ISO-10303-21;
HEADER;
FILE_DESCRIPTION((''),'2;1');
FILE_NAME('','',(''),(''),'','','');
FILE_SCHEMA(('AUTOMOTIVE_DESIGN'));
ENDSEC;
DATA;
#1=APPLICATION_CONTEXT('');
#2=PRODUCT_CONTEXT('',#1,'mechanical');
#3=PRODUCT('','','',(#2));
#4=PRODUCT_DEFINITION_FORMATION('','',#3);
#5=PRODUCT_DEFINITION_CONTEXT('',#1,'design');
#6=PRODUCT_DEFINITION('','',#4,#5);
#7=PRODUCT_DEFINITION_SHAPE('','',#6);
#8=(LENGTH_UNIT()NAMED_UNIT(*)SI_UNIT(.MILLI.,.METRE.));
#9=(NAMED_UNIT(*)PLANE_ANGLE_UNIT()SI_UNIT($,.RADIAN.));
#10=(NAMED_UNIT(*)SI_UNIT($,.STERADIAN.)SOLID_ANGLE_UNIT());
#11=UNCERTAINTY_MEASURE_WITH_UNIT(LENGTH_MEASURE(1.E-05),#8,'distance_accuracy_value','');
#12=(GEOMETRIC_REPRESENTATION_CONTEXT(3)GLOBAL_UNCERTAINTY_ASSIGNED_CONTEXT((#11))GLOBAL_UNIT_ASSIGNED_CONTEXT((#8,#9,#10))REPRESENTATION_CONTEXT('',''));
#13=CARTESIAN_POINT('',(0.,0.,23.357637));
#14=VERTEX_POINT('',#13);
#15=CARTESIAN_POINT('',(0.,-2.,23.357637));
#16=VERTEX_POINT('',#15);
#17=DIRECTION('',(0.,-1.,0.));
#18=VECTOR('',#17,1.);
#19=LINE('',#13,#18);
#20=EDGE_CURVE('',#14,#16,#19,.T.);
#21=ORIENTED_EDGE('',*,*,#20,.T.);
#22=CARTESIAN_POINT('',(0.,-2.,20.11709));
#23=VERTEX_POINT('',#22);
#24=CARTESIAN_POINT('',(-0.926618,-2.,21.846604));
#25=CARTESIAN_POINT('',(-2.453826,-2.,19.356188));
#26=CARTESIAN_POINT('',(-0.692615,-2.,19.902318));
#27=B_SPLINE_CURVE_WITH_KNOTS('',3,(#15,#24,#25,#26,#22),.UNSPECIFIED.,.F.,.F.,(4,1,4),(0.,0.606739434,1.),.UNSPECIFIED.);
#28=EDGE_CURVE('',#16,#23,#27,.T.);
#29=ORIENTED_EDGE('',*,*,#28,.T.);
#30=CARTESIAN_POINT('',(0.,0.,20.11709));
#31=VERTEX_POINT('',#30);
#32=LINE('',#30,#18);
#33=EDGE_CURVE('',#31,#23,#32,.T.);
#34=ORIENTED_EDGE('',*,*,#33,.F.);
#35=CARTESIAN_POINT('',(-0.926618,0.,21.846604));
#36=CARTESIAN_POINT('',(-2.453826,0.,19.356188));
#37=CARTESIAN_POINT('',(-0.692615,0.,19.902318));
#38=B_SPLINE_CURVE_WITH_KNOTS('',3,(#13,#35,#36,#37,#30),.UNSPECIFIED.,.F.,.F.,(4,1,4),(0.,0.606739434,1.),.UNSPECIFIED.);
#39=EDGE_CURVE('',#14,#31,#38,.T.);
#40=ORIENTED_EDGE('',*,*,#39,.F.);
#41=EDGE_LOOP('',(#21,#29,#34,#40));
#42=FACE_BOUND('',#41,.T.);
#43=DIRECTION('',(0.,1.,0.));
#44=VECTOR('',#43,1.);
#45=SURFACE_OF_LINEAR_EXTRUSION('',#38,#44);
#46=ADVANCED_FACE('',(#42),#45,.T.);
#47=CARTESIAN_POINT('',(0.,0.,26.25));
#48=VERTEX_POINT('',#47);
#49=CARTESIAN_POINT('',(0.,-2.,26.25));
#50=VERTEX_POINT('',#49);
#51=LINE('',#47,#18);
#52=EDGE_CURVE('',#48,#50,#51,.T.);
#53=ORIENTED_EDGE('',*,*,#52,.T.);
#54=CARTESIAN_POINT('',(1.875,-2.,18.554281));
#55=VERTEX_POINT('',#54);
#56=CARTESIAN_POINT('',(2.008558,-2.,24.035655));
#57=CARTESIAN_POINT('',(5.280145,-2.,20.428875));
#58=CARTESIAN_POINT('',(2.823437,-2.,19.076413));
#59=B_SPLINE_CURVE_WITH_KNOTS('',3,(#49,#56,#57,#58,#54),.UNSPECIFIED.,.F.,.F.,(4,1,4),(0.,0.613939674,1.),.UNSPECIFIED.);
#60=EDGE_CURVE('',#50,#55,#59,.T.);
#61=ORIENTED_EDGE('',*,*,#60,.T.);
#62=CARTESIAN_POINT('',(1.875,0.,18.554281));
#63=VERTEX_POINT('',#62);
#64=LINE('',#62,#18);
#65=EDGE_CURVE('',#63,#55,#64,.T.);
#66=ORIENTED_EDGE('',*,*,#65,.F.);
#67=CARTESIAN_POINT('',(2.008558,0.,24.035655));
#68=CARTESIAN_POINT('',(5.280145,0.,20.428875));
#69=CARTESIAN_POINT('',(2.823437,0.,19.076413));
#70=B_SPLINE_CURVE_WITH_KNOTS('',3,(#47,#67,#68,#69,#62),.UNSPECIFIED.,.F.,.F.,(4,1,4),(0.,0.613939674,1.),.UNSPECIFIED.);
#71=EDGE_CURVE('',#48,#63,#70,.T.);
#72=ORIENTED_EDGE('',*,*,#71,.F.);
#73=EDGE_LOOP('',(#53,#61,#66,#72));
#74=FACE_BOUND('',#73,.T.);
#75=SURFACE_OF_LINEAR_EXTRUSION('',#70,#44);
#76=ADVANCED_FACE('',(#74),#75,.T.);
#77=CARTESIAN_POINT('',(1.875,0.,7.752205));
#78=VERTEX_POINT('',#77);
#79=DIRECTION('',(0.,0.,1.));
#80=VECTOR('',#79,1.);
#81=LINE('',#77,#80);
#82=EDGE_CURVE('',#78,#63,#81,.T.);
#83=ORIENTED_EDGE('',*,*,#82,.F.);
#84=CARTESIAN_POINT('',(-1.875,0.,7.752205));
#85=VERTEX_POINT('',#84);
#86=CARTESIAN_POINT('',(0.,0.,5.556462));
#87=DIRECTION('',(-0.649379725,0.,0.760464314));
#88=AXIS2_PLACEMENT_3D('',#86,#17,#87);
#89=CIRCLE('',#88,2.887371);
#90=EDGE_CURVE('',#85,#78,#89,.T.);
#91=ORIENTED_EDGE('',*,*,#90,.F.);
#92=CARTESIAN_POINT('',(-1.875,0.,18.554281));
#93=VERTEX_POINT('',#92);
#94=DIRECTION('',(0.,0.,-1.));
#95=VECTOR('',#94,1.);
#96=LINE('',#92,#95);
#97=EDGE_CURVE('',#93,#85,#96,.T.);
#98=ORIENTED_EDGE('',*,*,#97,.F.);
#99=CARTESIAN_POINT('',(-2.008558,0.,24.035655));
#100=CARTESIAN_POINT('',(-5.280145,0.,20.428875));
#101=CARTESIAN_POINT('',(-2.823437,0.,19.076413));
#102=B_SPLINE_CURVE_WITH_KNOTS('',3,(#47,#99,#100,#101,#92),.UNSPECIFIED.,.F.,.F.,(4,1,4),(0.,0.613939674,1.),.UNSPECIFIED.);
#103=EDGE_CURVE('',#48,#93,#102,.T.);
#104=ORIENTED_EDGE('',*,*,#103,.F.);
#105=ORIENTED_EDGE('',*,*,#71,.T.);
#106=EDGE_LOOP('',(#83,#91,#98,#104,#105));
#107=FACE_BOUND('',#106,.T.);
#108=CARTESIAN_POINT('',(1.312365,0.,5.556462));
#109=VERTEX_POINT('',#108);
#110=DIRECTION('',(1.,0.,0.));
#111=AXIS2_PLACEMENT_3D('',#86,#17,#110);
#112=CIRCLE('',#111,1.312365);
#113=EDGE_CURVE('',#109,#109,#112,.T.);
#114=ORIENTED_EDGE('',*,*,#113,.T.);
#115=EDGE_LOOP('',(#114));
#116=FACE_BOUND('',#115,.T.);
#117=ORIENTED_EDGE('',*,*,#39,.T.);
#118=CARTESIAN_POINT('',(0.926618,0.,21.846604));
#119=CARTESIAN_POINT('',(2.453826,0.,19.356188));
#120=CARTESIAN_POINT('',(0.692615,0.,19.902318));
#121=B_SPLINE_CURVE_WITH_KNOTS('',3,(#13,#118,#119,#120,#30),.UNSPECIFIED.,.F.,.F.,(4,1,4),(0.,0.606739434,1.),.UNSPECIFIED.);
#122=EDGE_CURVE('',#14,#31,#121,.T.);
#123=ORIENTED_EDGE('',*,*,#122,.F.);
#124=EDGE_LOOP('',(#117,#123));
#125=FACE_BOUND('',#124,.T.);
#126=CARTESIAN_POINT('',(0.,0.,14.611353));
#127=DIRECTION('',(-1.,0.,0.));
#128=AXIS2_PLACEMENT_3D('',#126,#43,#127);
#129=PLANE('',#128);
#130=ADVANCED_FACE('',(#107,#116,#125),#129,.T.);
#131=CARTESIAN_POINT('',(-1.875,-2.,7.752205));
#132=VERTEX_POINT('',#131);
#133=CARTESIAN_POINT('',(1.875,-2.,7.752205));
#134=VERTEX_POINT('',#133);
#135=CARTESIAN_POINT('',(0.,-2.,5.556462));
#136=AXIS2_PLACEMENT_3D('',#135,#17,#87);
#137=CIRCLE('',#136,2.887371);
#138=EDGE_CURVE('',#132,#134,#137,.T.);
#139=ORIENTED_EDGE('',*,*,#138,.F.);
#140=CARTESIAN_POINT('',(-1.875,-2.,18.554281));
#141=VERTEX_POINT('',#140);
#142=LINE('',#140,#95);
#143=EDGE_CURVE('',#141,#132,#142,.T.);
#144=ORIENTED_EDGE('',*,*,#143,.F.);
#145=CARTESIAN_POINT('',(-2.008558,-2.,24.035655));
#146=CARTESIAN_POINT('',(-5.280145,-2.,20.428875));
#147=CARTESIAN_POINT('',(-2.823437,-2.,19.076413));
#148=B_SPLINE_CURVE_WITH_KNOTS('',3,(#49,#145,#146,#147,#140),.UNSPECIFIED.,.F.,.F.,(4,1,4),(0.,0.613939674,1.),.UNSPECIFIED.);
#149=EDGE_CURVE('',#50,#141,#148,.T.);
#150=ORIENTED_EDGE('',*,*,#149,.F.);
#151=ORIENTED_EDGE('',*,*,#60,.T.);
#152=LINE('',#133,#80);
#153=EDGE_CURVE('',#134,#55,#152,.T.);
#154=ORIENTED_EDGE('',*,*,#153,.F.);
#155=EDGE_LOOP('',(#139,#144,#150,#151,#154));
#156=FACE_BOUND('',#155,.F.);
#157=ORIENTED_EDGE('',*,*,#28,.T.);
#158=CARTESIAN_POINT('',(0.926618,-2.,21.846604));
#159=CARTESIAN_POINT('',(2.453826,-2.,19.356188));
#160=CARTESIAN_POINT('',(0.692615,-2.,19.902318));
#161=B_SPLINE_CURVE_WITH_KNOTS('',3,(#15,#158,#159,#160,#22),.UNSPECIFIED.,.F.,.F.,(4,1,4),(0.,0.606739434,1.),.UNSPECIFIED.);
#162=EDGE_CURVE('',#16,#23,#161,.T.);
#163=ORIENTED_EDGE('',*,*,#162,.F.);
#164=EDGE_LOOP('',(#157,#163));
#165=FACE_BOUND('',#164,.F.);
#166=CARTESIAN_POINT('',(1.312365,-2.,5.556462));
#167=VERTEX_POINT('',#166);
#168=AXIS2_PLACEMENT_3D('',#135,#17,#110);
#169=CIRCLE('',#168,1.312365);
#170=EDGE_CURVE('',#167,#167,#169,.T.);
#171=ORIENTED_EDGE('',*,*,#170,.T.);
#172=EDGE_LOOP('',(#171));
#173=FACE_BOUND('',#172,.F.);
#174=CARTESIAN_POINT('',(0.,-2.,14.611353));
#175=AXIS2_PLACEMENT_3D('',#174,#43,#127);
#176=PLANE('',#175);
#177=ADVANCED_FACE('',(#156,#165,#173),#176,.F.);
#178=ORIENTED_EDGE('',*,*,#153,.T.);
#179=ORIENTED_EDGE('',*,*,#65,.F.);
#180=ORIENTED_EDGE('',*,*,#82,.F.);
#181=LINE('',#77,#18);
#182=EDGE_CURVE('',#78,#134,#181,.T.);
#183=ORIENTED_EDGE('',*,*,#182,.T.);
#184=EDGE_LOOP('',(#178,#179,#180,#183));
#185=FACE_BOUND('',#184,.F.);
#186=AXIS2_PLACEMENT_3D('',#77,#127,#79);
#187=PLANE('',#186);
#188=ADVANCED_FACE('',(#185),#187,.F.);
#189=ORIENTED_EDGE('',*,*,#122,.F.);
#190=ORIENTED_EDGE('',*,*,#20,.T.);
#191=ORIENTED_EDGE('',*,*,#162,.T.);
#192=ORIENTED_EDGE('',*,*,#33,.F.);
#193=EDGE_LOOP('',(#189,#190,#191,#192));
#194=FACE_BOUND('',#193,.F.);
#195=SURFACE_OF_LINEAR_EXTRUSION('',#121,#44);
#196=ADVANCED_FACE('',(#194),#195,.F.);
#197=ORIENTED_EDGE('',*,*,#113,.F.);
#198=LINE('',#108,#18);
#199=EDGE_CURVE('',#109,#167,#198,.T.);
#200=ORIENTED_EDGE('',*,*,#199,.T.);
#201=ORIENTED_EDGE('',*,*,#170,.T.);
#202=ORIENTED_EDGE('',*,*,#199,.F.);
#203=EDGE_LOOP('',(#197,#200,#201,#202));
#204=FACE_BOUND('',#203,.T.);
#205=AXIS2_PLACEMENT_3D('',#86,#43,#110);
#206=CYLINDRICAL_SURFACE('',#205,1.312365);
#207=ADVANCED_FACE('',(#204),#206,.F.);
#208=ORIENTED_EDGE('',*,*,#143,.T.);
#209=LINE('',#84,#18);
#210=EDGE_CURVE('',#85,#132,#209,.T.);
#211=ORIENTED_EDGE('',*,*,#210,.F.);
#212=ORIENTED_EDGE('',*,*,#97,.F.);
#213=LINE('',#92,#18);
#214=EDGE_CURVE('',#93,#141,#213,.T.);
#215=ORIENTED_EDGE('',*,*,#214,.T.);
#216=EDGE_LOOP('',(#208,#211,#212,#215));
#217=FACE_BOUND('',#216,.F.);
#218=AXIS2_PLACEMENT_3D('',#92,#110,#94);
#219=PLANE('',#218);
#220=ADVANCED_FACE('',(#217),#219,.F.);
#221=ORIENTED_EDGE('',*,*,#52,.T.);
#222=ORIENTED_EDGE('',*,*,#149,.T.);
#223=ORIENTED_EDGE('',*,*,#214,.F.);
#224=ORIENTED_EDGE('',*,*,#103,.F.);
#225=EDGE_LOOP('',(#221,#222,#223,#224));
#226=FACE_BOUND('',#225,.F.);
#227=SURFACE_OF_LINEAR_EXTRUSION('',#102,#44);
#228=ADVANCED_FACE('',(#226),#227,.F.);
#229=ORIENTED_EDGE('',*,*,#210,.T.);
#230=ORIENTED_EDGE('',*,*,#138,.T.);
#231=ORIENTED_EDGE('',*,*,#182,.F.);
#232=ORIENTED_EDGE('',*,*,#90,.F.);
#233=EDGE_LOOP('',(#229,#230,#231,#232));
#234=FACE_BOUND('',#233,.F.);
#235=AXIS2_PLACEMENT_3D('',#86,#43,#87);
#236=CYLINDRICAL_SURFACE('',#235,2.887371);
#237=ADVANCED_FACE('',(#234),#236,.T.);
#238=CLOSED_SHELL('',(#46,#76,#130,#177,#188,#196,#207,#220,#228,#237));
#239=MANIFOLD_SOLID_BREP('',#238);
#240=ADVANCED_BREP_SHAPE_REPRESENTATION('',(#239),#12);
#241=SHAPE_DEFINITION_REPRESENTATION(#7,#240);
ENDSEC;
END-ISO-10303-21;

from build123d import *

# Parameters (mm, degrees)
F0_R     = 1.3123652154
F1_DEPTH = 2


with BuildPart() as f1:
    # F0 (on Front) → F1 (new body)
    with BuildSketch(Plane.XZ):
        with BuildLine():
            add(Edge.make_bspline(
                [(0, 26.25), (2.0085576042, 24.0356546825), (5.2801452595, 20.4288748021), (2.8234374445, 19.0764131786), (1.875, 18.5542814434)],
                knots=[0, 0, 0, 0, 0.6139396742, 1, 1, 1, 1], degree=3))
            add(Edge.make_bspline(
                [(0, 26.25), (-2.0085576042, 24.0356546825), (-5.2801452595, 20.4288748021), (-2.8234374445, 19.0764131786), (-1.875, 18.5542814434)],
                knots=[0, 0, 0, 0, 0.6139396742, 1, 1, 1, 1], degree=3))
            Line((-1.875, 18.5542814434), (-1.875, 7.7522047204))
            ThreePointArc((-1.875, 7.7522047204), (0, 2.6690916197), (1.875, 7.7522047204))
            Line((1.875, 7.7522047204), (1.875, 18.5542814434))
        make_face()
        with Locations((0, 5.5564623326)):
            Circle(F0_R, mode=Mode.SUBTRACT)
        with BuildLine():
            add(Edge.make_bspline(
                [(0, 23.3576372266), (-0.9266176114, 21.8466036722), (-2.4538260641, 19.3561880807), (-0.6926145017, 19.9023181859), (0, 20.1170900837)],
                knots=[0, 0, 0, 0, 0.6067394335, 1, 1, 1, 1], degree=3))
            add(Edge.make_bspline(
                [(0, 23.3576372266), (0.9266176114, 21.8466036722), (2.4538260641, 19.3561880807), (0.6926145017, 19.9023181859), (0, 20.1170900837)],
                knots=[0, 0, 0, 0, 0.6067394335, 1, 1, 1, 1], degree=3))
        make_face(mode=Mode.SUBTRACT)
    extrude(amount=F1_DEPTH)


solid = f1.part
